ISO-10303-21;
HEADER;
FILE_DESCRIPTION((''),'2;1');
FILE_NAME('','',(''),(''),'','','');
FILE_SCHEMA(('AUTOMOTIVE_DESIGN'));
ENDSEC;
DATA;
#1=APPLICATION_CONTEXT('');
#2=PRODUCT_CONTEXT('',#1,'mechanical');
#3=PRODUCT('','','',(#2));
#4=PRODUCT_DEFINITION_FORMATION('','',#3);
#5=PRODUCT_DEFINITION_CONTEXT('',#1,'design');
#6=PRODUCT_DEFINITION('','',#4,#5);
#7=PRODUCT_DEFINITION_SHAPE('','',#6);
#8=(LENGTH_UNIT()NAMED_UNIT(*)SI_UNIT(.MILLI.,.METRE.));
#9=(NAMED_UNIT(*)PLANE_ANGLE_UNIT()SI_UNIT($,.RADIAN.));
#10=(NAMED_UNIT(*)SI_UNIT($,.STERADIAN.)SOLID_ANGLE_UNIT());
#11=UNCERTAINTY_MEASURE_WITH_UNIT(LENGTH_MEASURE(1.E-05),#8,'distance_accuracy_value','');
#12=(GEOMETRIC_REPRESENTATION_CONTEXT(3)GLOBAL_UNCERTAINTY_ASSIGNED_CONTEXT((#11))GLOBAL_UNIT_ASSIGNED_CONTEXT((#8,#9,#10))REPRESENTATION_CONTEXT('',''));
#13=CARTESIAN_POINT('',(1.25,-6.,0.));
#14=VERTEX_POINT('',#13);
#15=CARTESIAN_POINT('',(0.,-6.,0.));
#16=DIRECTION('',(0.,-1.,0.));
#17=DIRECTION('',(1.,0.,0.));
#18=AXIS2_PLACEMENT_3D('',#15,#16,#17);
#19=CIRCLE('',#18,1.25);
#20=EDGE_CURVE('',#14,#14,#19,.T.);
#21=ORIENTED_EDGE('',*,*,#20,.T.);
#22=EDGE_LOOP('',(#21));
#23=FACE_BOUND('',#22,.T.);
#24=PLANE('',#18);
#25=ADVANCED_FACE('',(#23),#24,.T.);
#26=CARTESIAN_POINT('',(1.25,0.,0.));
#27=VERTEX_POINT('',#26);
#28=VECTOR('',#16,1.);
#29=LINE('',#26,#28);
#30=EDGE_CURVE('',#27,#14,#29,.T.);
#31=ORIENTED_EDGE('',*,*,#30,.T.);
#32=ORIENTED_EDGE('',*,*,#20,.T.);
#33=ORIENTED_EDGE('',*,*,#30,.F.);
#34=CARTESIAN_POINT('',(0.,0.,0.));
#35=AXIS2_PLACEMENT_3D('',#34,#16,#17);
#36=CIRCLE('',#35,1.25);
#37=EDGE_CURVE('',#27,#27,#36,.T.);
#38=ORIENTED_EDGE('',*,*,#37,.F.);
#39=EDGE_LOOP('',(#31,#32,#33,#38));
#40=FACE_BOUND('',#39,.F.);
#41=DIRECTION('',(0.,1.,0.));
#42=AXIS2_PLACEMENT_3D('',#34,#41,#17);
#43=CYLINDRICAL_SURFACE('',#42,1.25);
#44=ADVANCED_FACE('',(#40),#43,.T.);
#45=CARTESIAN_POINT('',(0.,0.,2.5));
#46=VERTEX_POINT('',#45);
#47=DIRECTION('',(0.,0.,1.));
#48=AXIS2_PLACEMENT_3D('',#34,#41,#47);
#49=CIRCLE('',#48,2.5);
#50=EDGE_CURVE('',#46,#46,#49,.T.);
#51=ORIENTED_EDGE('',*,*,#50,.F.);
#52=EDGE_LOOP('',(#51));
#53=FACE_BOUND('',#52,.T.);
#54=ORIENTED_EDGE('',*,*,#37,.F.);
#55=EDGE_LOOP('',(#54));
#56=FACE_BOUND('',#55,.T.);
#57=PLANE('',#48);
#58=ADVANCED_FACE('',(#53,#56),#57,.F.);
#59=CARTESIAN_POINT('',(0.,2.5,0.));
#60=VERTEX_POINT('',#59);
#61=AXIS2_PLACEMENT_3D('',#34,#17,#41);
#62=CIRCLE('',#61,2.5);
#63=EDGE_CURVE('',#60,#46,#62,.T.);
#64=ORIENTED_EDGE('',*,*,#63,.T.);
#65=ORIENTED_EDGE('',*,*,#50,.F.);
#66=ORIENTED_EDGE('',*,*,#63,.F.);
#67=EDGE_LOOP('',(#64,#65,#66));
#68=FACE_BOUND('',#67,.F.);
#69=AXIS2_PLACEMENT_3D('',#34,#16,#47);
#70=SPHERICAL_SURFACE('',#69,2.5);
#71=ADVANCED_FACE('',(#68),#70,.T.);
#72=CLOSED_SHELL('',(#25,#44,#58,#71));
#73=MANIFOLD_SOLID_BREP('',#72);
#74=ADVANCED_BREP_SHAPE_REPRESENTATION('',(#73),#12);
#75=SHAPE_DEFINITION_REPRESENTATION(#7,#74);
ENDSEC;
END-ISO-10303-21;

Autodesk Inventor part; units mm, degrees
ref_plane "YZ Plane" through (0, 0, 0) normal (1, 0, 0) x (0, 1, 0)
ref_plane "XZ Plane" through (0, 0, 0) normal (0, 1, 0) x (-1, 0, 0)
ref_plane "XY Plane" through (0, 0, 0) normal (0, 0, 1) x (1, 0, 0)
sketch "Sketch1" plane through (0, 0, 0) normal (1, 0, 0) x (0, 1, 0)
  arc A0 (2.5, 0) -> (0, 2.5) centre (0, 0) ccw
  line L0 (0, 0) -> (0, 2.5)
  line L1 (0, 0) -> (2.5, 0)
  dimension "d1" = 2.5
revolve "Revolution1" add sketch "Sketch1" angle 360 about axis through (0, 0, 0) along (0, 1, 0)
sketch "Sketch2" plane through (0, 0, 0) normal (0, -1, 0) x (1, 0, 0)
  circle A0 centre (0, 0) radius 1.25
  dimension "d3" = 2.5
extrude "Extrusion1" add sketch "Sketch2" along normal blind 6
thread "Thread1" size "M2.5x0.45" class "6g" standard "ANSI Metric M Profile" length 20.107
properties part number "screws"
